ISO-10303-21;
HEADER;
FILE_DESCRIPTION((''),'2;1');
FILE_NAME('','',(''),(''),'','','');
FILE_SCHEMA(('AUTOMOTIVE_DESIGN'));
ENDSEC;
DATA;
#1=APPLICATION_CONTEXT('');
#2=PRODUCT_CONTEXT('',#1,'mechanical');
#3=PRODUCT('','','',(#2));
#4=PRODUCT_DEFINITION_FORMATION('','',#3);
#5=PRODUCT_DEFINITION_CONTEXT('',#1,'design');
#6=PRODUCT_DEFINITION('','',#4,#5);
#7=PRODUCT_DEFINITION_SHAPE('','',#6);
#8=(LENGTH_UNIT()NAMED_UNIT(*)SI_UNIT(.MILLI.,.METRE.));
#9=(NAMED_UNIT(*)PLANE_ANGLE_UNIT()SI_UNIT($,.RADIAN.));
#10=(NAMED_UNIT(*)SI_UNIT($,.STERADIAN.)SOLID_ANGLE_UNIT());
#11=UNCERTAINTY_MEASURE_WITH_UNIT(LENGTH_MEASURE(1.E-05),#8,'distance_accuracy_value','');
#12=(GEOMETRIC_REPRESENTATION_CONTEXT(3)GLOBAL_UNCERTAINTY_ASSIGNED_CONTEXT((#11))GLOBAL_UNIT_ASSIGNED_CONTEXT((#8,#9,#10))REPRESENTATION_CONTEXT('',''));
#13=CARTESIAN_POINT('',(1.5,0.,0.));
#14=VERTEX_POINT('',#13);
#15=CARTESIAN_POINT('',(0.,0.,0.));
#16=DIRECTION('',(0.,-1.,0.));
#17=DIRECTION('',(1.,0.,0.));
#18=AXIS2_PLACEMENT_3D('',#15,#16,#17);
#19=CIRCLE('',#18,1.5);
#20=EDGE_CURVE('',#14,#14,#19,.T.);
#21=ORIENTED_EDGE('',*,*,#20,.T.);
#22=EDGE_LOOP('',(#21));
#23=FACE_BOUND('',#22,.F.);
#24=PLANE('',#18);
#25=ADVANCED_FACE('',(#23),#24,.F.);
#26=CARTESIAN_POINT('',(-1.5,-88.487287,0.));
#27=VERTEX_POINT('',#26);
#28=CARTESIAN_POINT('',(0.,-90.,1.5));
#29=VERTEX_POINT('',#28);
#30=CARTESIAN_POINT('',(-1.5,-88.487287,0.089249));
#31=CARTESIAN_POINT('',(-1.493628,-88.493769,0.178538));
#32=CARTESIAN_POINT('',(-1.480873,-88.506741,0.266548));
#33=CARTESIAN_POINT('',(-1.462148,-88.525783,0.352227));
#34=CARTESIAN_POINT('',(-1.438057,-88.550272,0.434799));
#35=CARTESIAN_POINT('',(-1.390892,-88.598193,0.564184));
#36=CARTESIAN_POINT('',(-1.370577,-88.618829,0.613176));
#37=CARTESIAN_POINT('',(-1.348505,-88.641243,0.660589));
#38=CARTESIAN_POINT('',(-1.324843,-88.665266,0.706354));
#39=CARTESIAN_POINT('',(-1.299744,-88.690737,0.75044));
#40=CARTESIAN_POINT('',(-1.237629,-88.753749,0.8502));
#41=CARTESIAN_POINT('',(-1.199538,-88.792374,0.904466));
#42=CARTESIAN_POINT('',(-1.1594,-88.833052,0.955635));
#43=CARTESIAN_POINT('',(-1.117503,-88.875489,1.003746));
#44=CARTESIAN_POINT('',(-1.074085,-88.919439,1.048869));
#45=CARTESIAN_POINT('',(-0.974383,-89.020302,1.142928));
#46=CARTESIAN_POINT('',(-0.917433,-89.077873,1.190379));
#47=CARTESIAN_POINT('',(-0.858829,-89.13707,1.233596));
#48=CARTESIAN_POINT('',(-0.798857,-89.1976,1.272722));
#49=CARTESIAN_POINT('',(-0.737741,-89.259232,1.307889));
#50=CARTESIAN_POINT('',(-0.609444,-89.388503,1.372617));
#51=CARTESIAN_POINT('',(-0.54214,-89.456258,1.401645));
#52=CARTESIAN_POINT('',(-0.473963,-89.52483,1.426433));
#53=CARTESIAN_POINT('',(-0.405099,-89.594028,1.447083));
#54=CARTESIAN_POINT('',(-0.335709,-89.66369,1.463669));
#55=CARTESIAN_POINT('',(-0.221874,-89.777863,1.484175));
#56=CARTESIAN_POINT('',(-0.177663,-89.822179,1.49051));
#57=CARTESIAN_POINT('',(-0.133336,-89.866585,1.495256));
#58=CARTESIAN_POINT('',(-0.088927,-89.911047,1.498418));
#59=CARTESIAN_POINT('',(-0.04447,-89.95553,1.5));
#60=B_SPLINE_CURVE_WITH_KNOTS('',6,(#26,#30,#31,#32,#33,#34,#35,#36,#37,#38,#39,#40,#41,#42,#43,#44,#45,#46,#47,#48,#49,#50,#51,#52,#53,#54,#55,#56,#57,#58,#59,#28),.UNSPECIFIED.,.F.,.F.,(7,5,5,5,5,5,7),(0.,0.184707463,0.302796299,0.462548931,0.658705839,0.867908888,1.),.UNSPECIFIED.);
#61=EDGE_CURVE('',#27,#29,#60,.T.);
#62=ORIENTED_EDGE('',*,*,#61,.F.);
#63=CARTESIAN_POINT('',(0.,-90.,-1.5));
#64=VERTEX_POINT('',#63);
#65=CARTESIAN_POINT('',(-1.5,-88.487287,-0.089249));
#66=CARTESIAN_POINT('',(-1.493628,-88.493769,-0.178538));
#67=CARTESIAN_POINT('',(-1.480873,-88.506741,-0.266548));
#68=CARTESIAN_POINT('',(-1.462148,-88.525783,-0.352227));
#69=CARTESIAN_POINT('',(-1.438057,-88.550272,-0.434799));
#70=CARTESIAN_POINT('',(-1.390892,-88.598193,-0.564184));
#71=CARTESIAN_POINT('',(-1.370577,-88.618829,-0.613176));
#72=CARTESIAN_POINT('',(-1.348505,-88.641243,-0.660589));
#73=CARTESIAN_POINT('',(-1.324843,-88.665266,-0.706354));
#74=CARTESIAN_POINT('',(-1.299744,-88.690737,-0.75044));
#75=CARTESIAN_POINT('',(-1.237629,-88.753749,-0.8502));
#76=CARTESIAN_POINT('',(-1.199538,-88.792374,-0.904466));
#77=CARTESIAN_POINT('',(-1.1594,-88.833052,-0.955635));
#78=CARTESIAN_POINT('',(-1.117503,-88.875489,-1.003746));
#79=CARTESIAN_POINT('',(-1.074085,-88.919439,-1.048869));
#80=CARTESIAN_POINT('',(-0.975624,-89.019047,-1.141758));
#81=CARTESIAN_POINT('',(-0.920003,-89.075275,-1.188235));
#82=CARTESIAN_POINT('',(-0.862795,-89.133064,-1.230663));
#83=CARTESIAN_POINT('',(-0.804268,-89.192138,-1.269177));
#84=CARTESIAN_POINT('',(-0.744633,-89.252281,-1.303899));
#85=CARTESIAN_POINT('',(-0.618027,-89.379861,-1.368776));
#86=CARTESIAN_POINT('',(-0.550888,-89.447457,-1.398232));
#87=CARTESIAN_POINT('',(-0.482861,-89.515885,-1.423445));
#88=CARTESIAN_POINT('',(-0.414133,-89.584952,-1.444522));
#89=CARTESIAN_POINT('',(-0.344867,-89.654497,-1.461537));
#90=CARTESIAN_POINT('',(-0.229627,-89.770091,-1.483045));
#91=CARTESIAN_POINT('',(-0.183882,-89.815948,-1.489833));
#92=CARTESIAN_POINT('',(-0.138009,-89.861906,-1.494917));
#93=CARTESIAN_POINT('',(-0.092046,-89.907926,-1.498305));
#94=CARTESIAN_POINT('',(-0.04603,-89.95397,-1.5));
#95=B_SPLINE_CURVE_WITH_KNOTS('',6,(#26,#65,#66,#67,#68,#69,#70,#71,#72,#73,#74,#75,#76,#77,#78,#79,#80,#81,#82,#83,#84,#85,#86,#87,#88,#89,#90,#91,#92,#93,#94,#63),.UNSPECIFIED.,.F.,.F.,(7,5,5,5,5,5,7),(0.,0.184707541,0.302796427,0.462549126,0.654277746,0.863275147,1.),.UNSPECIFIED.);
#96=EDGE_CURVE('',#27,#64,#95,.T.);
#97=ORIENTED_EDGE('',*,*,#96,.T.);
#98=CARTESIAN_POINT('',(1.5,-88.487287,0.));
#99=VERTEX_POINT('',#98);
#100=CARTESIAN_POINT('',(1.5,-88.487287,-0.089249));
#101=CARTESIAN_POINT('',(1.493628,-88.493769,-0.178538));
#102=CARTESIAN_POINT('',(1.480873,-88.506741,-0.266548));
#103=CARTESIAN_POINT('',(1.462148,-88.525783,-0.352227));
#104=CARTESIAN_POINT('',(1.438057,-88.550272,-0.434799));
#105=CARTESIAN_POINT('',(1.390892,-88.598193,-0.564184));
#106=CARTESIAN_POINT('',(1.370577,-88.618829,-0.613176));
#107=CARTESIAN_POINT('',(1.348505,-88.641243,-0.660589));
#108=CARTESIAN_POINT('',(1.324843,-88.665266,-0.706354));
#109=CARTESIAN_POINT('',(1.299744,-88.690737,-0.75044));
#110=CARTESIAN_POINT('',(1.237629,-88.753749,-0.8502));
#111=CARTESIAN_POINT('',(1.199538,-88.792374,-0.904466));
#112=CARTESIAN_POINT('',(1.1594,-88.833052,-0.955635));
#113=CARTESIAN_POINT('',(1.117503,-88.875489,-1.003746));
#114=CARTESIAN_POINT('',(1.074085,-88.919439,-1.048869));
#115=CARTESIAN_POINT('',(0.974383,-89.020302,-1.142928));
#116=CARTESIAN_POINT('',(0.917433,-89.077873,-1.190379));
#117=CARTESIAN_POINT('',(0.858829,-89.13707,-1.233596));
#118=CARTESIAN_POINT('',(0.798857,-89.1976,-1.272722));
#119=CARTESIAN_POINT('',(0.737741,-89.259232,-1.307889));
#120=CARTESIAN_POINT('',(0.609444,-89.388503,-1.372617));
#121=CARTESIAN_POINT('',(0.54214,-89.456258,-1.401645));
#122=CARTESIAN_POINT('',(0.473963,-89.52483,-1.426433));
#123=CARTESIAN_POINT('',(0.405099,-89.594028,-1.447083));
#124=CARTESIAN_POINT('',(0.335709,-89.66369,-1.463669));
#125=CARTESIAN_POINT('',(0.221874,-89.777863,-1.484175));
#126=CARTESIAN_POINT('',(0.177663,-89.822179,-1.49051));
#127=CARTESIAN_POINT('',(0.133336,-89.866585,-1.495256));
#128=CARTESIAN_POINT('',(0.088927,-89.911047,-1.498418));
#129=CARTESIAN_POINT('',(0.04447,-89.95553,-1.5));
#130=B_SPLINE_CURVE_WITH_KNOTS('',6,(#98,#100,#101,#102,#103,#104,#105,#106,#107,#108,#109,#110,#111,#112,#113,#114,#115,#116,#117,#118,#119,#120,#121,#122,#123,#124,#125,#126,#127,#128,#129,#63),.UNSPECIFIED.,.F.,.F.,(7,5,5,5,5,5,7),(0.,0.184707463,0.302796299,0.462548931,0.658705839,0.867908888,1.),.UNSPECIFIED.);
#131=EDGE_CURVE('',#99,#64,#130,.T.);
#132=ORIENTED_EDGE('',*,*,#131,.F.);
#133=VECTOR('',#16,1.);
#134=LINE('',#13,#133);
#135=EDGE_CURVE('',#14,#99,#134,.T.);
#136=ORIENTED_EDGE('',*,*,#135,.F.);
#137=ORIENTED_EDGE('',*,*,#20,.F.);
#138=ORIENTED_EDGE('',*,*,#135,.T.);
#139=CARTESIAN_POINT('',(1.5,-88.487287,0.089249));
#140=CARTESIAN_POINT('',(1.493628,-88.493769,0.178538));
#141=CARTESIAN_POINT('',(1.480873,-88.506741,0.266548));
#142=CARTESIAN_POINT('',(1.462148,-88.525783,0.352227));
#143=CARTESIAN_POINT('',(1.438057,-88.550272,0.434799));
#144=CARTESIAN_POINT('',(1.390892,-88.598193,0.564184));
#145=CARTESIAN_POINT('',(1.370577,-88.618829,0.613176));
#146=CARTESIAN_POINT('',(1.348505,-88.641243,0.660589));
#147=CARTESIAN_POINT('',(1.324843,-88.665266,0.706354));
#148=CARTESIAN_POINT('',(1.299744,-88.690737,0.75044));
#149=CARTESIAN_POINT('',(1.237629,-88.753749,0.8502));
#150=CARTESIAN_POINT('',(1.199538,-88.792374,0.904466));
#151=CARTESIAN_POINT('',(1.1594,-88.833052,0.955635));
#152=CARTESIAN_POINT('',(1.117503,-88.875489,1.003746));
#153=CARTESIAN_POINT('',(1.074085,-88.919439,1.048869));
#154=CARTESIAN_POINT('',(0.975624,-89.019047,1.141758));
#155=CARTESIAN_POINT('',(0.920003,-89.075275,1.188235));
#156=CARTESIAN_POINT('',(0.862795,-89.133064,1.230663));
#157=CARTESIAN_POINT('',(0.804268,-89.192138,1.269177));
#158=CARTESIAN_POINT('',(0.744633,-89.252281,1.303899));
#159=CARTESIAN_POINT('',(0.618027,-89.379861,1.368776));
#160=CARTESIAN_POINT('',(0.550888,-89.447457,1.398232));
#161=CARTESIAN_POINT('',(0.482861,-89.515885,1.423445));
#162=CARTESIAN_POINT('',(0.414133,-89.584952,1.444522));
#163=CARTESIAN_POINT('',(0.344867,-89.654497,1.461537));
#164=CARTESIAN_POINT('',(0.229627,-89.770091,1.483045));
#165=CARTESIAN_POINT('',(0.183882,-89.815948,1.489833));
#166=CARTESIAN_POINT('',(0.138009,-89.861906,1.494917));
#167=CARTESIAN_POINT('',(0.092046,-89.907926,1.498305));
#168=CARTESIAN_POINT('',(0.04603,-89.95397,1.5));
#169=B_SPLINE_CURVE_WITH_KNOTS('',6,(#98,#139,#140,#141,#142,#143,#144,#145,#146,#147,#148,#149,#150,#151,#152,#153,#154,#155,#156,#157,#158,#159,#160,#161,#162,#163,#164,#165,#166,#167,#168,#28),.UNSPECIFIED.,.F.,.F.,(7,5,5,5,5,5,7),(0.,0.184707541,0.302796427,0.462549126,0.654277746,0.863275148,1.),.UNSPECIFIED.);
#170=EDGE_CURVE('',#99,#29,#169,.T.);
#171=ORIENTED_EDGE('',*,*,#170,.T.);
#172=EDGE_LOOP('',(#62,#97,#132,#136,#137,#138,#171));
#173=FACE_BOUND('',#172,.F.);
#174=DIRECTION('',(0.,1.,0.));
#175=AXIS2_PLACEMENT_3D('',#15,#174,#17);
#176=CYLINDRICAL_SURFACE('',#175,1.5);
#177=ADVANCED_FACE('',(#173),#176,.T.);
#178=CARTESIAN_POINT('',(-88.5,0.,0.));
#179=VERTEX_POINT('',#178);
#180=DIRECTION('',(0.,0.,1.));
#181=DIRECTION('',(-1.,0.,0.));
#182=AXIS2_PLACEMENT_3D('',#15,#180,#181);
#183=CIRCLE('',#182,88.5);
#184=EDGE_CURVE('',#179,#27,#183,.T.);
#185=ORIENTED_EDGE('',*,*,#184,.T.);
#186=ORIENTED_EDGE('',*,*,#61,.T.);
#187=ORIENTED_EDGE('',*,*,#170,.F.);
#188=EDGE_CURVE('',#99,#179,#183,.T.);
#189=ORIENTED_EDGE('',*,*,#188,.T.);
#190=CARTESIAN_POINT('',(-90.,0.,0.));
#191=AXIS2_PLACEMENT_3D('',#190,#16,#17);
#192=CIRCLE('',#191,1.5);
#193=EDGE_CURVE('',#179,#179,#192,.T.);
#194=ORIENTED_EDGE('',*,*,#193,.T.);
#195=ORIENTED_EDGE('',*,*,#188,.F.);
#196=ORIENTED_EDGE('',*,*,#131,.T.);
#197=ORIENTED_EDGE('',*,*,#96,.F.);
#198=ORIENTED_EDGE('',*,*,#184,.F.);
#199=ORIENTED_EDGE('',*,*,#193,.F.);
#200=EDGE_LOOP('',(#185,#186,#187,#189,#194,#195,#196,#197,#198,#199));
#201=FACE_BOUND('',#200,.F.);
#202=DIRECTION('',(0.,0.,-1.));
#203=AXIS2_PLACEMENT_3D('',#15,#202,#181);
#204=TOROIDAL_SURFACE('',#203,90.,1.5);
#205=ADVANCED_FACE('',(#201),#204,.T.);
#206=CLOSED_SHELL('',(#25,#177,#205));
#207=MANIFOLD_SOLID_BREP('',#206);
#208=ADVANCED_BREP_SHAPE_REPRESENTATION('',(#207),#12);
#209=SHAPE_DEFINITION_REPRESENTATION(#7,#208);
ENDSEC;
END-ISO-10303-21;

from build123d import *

# Parameters (mm, degrees)
F1_R     = 1.5
F3_R     = 1.5
F4_DEPTH = 90


with BuildPart() as f2:
    # F1 (on Front) → F2 (revolve)
    with BuildSketch(Plane.XZ):
        with Locations((-90, 0)):
            Circle(F1_R)
    revolve(axis=Axis((0, 0, 0), (0, 0, 1)))

    # F3 (on Front) → F4 (join)
    with BuildSketch(Plane.XZ):
        Circle(F3_R)
    extrude(amount=F4_DEPTH)


solid = f2.part
